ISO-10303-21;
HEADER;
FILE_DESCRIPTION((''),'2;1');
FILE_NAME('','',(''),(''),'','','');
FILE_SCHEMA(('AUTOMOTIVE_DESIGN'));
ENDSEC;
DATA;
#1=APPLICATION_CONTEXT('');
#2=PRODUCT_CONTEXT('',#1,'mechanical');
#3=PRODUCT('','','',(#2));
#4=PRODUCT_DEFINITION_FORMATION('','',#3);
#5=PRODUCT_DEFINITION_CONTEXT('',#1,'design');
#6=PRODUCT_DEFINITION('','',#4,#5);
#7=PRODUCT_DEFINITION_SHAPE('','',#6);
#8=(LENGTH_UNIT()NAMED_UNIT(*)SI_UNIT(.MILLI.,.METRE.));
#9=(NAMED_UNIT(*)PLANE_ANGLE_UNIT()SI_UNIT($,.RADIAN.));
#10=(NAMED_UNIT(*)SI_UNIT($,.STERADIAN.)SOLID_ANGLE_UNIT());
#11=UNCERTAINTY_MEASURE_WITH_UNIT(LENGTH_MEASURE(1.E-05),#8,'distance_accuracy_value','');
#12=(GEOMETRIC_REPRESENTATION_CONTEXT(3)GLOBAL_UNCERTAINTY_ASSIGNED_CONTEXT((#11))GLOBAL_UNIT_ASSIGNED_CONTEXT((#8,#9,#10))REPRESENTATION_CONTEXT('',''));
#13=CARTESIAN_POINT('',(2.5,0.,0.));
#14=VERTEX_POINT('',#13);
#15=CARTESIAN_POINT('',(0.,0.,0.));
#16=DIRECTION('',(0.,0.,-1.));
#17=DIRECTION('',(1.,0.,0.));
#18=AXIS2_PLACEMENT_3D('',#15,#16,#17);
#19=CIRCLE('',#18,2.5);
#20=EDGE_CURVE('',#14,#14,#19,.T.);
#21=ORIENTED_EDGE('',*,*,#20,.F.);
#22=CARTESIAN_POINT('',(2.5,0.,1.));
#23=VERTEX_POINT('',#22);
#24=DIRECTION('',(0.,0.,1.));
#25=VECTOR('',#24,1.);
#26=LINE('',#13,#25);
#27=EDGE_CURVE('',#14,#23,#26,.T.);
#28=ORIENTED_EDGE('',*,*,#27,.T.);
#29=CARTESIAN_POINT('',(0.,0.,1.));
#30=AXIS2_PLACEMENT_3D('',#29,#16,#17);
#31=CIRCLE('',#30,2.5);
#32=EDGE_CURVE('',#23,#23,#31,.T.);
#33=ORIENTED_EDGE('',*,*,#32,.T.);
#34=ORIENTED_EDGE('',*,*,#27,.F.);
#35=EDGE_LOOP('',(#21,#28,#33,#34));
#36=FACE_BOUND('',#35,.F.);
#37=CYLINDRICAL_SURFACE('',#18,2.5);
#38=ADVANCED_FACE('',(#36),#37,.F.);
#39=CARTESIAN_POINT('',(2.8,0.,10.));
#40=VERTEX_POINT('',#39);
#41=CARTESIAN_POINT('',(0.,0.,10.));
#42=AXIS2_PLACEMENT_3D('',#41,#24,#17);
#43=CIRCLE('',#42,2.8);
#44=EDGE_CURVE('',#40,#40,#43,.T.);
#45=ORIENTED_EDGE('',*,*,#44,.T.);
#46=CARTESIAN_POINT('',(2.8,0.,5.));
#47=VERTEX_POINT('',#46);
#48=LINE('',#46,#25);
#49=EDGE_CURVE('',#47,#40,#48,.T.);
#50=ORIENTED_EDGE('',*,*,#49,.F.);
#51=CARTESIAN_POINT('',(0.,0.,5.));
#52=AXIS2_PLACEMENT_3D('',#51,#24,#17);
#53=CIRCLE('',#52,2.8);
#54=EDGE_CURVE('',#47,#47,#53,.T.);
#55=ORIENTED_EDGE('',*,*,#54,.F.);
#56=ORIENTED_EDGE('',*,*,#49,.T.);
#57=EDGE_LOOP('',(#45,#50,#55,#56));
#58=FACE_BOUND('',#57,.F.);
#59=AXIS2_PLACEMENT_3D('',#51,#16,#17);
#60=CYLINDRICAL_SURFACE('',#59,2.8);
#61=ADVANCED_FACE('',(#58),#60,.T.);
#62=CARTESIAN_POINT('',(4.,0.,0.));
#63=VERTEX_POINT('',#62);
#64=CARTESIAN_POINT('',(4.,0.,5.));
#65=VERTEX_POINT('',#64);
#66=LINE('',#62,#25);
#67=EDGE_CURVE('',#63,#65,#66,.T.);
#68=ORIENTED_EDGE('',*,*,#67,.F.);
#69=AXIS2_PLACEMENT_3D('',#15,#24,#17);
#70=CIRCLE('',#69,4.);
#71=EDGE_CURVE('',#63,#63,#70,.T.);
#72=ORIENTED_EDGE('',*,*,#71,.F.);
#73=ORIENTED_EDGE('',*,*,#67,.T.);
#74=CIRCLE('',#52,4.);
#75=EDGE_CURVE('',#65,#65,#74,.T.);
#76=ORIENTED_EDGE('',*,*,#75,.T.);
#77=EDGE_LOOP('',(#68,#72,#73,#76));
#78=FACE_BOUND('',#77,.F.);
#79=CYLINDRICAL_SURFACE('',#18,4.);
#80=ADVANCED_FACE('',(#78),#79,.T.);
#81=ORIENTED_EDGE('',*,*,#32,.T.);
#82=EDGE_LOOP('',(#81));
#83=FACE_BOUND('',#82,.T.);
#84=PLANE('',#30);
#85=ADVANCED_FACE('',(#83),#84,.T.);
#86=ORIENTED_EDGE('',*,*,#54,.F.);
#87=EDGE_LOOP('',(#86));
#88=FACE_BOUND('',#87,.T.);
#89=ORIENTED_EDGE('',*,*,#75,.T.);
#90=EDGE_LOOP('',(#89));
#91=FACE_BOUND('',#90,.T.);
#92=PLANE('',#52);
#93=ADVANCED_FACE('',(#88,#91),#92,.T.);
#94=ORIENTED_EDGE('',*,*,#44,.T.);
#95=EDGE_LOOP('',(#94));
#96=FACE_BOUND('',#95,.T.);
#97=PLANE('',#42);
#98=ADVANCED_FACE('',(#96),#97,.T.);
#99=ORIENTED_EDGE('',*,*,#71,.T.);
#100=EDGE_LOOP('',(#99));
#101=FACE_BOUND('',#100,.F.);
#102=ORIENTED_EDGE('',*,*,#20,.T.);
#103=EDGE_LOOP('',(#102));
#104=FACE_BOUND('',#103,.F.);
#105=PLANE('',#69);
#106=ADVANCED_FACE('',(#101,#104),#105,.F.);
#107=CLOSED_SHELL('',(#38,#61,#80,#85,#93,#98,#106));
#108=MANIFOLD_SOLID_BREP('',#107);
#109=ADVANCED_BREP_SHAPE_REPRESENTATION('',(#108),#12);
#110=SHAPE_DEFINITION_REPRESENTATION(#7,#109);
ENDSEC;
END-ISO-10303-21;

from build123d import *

# Parameters (mm, degrees)
SKETCH020_R     = 4
PAD017_DEPTH    = 5
SKETCH021_R     = 2.8
PAD018_DEPTH    = 5
SKETCH022_R     = 2.5
POCKET004_DEPTH = 1


with BuildPart() as part:
    # Sketch020 → Pad017 (new body)
    with BuildSketch(Plane.XY):
        Circle(SKETCH020_R)
    extrude(amount=PAD017_DEPTH)

    # Sketch021 → Pad018 (join)
    with BuildSketch(Plane.XY.offset(5)):
        Circle(SKETCH021_R)
    extrude(amount=PAD018_DEPTH)

    # Sketch022 → Pocket004 (cut)
    with BuildSketch(Plane(origin=(0, 0, 0), x_dir=(1, 0, 0), z_dir=(0, 0, -1))):
        Circle(SKETCH022_R)
    extrude(amount=-POCKET004_DEPTH, mode=Mode.SUBTRACT)


solid = part.part
